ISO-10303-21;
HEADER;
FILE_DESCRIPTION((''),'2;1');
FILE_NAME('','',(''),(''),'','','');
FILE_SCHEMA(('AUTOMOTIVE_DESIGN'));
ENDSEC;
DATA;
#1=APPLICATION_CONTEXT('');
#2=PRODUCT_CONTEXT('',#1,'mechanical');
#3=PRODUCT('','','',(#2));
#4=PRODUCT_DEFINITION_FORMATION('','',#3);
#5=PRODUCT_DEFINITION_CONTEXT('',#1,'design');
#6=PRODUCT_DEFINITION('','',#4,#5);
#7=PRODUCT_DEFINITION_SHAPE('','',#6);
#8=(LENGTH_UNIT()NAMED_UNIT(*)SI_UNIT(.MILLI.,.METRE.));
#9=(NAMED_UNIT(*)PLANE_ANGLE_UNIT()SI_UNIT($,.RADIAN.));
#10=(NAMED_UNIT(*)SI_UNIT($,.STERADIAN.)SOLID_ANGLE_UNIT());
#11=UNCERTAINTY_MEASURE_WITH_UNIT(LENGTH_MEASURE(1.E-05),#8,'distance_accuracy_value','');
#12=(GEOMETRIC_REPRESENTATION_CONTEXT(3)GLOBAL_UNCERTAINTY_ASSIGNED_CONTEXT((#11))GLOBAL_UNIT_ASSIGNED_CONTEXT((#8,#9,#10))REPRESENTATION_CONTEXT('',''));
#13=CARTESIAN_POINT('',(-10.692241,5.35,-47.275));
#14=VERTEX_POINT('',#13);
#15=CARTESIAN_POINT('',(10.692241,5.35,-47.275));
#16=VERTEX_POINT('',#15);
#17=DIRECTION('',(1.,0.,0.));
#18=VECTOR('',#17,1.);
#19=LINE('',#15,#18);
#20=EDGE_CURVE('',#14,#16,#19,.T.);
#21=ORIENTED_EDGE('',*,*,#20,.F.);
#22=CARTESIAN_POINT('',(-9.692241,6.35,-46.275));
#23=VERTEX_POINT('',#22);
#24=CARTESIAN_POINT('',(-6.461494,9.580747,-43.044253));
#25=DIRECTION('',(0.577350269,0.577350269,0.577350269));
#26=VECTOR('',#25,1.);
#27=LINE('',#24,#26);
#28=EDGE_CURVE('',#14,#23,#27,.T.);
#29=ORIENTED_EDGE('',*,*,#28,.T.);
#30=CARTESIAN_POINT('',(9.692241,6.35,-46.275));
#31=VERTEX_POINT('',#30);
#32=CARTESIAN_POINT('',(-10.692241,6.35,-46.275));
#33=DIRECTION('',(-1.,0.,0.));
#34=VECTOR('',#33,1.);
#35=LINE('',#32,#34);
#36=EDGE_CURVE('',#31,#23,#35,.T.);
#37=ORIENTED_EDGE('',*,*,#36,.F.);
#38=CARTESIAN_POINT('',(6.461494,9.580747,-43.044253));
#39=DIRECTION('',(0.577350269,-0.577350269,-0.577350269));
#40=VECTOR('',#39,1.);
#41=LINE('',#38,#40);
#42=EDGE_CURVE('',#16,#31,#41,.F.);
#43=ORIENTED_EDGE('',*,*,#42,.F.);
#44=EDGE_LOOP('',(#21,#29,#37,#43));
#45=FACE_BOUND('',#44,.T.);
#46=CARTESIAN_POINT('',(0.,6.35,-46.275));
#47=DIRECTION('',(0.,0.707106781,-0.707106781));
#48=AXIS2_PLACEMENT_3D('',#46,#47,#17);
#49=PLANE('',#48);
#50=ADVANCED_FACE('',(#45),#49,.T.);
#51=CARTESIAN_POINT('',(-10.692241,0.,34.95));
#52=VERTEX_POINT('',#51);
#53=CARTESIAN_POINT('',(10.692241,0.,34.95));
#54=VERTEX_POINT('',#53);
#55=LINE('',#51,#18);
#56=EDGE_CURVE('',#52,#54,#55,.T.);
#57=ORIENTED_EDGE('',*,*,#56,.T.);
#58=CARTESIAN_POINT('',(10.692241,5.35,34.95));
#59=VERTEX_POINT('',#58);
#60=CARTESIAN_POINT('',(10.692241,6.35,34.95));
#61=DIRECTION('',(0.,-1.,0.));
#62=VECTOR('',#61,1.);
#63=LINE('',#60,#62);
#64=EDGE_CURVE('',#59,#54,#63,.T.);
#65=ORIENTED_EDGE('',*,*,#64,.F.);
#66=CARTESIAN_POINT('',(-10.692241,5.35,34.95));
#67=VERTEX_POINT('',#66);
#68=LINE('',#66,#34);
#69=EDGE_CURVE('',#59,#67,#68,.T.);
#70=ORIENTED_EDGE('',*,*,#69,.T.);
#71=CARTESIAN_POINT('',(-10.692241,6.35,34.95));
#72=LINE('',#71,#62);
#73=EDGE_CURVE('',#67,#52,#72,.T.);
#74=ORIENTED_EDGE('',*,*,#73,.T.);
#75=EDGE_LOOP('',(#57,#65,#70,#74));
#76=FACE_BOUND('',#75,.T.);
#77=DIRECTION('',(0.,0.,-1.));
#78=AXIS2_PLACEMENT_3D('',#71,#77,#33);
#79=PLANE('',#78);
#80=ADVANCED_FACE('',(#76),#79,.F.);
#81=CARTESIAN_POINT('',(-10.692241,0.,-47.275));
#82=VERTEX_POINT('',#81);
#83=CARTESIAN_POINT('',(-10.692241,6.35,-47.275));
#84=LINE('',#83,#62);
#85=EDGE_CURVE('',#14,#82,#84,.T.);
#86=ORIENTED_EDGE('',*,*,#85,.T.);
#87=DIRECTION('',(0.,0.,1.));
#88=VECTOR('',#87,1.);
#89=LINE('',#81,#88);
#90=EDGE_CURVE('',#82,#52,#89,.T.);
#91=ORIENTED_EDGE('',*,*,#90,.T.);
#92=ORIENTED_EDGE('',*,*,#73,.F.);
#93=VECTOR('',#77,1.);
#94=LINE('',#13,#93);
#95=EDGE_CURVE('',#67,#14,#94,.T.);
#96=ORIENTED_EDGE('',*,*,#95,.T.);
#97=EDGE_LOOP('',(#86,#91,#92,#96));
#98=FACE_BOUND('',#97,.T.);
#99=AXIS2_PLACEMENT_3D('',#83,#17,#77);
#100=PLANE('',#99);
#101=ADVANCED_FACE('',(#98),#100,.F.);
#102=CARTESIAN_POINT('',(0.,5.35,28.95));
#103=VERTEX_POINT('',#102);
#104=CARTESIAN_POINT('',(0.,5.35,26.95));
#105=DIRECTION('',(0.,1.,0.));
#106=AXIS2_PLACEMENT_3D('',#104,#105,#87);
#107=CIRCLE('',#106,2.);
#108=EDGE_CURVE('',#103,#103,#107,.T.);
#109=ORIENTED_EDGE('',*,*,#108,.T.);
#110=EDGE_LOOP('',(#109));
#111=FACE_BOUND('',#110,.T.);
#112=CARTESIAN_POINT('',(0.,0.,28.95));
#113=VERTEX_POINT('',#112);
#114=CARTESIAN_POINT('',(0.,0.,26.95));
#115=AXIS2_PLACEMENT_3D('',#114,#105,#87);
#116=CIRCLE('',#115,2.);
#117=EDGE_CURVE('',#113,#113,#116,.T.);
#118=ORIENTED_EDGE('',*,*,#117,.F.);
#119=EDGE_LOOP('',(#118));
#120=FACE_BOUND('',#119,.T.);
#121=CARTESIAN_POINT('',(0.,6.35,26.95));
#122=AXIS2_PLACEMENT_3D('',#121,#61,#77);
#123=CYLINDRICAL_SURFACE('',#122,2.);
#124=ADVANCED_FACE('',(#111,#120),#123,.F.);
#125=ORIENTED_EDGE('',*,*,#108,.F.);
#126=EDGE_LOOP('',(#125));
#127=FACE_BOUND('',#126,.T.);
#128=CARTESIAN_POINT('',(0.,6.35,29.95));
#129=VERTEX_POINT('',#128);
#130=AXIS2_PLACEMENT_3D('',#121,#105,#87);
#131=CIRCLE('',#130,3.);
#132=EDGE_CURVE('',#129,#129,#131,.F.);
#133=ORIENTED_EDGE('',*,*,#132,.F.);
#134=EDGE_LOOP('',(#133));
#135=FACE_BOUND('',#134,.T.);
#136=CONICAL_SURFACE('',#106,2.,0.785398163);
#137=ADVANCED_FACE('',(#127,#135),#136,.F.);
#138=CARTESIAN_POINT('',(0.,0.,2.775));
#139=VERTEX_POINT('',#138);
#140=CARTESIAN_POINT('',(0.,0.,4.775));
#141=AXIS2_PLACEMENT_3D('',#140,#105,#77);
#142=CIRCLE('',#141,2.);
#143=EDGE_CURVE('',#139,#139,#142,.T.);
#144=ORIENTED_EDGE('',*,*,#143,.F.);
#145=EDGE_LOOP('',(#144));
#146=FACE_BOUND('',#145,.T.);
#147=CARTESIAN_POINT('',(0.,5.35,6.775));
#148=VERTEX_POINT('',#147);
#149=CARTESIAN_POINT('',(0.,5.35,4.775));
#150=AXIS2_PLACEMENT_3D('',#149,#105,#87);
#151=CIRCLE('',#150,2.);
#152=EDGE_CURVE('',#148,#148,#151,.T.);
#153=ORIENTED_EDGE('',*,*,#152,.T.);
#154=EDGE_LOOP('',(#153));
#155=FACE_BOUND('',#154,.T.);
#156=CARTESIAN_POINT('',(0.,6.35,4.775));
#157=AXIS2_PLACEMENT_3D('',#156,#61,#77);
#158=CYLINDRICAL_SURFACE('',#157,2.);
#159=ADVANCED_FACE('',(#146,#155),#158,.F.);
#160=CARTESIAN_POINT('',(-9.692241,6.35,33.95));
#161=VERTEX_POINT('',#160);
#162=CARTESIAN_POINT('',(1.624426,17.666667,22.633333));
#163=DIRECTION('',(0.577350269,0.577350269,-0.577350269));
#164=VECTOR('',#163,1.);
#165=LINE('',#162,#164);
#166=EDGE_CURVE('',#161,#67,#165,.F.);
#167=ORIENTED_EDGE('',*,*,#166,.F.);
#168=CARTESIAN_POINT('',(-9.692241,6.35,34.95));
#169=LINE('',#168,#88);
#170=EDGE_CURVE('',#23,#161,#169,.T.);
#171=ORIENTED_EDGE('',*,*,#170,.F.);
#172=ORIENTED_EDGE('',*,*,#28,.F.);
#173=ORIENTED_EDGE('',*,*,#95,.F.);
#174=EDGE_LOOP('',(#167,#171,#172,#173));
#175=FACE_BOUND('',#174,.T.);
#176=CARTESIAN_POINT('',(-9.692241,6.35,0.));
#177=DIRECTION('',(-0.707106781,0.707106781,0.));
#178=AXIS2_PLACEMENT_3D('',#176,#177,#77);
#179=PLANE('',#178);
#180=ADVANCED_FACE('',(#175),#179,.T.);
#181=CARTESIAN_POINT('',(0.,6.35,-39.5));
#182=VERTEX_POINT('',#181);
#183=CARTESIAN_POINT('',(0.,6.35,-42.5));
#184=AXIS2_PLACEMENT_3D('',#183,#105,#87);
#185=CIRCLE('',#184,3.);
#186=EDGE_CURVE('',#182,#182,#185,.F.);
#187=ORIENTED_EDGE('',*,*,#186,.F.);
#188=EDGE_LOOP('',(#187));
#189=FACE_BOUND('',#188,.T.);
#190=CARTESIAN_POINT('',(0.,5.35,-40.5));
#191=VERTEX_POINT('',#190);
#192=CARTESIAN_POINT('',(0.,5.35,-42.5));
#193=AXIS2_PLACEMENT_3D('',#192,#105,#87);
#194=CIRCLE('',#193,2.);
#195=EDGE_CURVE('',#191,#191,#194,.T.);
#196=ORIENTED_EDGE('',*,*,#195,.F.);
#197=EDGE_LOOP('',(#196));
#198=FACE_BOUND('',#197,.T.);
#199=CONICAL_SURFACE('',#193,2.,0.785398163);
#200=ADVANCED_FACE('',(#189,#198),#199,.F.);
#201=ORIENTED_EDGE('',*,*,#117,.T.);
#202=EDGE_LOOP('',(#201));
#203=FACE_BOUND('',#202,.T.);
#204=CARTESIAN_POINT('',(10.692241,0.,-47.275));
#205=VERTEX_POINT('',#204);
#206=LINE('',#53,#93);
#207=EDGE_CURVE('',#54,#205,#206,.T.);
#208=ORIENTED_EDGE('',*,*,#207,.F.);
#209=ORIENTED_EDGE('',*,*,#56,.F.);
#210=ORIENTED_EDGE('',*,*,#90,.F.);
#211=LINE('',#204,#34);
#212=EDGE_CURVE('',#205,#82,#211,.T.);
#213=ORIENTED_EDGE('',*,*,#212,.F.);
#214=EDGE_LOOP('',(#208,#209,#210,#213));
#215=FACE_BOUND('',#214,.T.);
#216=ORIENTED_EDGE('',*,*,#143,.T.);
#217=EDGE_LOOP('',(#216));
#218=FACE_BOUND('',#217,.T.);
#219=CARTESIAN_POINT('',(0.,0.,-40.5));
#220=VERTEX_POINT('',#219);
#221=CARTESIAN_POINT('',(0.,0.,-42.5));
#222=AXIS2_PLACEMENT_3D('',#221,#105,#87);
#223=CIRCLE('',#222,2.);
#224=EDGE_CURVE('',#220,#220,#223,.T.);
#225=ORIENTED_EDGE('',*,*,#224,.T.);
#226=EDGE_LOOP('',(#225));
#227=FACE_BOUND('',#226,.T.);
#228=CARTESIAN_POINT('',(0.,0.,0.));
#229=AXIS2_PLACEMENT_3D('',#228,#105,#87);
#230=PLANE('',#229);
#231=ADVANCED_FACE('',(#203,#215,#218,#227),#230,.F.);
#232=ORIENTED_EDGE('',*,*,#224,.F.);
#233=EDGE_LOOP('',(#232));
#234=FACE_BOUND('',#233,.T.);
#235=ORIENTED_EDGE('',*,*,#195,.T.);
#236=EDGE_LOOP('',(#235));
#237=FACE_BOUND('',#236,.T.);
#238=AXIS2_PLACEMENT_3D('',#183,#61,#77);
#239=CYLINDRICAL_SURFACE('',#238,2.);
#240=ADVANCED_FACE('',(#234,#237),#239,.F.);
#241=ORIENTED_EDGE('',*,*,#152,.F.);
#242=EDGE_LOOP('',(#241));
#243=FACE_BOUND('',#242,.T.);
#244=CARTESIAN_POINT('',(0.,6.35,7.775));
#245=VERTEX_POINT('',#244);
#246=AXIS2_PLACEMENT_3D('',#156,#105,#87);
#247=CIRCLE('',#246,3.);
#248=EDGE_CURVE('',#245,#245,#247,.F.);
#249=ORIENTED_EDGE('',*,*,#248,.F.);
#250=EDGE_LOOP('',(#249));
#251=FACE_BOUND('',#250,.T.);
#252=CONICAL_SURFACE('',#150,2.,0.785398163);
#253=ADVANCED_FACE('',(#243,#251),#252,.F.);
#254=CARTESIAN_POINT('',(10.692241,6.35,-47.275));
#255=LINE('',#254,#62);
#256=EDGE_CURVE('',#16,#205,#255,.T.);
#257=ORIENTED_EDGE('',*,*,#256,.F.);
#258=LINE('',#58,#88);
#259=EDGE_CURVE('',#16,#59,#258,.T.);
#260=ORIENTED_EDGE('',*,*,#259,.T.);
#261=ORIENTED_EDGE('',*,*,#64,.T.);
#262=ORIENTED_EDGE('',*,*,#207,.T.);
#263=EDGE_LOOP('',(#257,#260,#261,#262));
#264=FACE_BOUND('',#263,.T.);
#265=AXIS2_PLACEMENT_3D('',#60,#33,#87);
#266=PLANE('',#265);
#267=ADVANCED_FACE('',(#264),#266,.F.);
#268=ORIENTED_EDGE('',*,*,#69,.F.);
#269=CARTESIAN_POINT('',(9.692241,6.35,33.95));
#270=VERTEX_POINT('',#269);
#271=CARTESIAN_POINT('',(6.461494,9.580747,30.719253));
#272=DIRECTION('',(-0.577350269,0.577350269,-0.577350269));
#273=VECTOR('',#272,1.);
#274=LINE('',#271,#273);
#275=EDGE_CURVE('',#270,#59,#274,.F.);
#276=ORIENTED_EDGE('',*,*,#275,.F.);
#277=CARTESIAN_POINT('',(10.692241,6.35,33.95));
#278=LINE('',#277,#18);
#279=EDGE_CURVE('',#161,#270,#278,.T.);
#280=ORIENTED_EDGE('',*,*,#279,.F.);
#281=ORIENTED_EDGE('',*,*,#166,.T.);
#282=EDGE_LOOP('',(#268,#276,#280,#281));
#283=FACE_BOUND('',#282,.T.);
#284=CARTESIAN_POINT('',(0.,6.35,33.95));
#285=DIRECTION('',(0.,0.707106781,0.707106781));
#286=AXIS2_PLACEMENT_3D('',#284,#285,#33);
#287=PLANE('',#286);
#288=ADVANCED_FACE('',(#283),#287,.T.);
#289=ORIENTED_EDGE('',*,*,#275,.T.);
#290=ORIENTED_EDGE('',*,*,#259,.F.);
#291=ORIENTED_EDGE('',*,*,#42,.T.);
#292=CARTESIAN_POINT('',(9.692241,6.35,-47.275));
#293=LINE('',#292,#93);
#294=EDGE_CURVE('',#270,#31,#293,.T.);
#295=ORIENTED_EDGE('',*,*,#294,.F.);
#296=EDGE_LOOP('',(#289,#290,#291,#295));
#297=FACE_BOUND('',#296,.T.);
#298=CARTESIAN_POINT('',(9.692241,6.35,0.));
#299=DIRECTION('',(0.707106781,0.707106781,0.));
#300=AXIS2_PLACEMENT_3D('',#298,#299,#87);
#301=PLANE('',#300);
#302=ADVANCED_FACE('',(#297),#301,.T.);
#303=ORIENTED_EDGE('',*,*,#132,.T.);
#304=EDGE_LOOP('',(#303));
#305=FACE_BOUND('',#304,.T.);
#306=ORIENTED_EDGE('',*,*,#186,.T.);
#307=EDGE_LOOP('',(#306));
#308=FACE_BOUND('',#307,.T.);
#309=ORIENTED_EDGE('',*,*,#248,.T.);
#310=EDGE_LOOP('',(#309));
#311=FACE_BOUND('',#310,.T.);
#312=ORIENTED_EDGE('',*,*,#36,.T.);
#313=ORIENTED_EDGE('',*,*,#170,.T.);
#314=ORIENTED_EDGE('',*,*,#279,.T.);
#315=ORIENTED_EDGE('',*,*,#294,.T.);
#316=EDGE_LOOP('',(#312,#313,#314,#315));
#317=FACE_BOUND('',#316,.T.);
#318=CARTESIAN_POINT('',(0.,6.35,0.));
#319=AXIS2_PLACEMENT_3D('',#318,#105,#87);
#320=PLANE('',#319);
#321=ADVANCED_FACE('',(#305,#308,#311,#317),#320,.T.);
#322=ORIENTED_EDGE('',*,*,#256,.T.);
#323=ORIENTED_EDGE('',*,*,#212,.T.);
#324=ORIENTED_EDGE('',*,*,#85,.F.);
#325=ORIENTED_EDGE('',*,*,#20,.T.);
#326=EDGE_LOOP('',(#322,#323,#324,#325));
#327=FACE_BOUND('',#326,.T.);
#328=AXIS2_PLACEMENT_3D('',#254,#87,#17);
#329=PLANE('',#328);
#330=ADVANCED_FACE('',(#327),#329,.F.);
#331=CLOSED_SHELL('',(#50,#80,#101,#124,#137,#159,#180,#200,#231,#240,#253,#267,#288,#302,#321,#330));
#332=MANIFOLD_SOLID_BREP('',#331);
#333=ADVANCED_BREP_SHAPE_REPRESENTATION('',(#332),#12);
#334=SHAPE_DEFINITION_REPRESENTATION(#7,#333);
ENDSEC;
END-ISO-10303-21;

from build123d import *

# Parameters (mm, degrees)
SKETCH1_W           = 21.384482042
SKETCH1_H           = 82.225
SKETCH1_R           = 2
BOSS_EXTRUDE1_DEPTH = 6.35
CHAMFER1_SIZE       = 1


with BuildPart() as part:
    # Sketch1 → Boss-Extrude1 (new body)
    with BuildSketch(Plane(origin=(0, 0, 0), x_dir=(1, 0, 0), z_dir=(0, 1, 0))):
        with Locations((0, 6.1625)):
            Rectangle(SKETCH1_W, SKETCH1_H)
        with Locations(Location((0, 42.5, 0), (0, 0, 270))):
            Circle(SKETCH1_R, mode=Mode.SUBTRACT)
        with Locations(Location((0, -4.775, 0), (0, 0, 90))):
            Circle(SKETCH1_R, mode=Mode.SUBTRACT)
        with Locations(Location((0, -26.95, 0), (0, 0, 270))):
            Circle(SKETCH1_R, mode=Mode.SUBTRACT)
    extrude(amount=BOSS_EXTRUDE1_DEPTH)

    # Chamfer1
    chamfer1_edges = [part.edges().sort_by_distance(p)[0] for p in [
        (0, 6.35, -44.5),
        (0, 6.35, 34.95),
        (0, 6.35, 6.775),
        (10.692241021, 6.35, -6.1625),
        (0, 6.35, 24.95),
        (0, 6.35, -47.275),
        (-10.692241021, 6.35, -6.1625),
    ]]
    chamfer(chamfer1_edges, length=CHAMFER1_SIZE)


solid = part.part
